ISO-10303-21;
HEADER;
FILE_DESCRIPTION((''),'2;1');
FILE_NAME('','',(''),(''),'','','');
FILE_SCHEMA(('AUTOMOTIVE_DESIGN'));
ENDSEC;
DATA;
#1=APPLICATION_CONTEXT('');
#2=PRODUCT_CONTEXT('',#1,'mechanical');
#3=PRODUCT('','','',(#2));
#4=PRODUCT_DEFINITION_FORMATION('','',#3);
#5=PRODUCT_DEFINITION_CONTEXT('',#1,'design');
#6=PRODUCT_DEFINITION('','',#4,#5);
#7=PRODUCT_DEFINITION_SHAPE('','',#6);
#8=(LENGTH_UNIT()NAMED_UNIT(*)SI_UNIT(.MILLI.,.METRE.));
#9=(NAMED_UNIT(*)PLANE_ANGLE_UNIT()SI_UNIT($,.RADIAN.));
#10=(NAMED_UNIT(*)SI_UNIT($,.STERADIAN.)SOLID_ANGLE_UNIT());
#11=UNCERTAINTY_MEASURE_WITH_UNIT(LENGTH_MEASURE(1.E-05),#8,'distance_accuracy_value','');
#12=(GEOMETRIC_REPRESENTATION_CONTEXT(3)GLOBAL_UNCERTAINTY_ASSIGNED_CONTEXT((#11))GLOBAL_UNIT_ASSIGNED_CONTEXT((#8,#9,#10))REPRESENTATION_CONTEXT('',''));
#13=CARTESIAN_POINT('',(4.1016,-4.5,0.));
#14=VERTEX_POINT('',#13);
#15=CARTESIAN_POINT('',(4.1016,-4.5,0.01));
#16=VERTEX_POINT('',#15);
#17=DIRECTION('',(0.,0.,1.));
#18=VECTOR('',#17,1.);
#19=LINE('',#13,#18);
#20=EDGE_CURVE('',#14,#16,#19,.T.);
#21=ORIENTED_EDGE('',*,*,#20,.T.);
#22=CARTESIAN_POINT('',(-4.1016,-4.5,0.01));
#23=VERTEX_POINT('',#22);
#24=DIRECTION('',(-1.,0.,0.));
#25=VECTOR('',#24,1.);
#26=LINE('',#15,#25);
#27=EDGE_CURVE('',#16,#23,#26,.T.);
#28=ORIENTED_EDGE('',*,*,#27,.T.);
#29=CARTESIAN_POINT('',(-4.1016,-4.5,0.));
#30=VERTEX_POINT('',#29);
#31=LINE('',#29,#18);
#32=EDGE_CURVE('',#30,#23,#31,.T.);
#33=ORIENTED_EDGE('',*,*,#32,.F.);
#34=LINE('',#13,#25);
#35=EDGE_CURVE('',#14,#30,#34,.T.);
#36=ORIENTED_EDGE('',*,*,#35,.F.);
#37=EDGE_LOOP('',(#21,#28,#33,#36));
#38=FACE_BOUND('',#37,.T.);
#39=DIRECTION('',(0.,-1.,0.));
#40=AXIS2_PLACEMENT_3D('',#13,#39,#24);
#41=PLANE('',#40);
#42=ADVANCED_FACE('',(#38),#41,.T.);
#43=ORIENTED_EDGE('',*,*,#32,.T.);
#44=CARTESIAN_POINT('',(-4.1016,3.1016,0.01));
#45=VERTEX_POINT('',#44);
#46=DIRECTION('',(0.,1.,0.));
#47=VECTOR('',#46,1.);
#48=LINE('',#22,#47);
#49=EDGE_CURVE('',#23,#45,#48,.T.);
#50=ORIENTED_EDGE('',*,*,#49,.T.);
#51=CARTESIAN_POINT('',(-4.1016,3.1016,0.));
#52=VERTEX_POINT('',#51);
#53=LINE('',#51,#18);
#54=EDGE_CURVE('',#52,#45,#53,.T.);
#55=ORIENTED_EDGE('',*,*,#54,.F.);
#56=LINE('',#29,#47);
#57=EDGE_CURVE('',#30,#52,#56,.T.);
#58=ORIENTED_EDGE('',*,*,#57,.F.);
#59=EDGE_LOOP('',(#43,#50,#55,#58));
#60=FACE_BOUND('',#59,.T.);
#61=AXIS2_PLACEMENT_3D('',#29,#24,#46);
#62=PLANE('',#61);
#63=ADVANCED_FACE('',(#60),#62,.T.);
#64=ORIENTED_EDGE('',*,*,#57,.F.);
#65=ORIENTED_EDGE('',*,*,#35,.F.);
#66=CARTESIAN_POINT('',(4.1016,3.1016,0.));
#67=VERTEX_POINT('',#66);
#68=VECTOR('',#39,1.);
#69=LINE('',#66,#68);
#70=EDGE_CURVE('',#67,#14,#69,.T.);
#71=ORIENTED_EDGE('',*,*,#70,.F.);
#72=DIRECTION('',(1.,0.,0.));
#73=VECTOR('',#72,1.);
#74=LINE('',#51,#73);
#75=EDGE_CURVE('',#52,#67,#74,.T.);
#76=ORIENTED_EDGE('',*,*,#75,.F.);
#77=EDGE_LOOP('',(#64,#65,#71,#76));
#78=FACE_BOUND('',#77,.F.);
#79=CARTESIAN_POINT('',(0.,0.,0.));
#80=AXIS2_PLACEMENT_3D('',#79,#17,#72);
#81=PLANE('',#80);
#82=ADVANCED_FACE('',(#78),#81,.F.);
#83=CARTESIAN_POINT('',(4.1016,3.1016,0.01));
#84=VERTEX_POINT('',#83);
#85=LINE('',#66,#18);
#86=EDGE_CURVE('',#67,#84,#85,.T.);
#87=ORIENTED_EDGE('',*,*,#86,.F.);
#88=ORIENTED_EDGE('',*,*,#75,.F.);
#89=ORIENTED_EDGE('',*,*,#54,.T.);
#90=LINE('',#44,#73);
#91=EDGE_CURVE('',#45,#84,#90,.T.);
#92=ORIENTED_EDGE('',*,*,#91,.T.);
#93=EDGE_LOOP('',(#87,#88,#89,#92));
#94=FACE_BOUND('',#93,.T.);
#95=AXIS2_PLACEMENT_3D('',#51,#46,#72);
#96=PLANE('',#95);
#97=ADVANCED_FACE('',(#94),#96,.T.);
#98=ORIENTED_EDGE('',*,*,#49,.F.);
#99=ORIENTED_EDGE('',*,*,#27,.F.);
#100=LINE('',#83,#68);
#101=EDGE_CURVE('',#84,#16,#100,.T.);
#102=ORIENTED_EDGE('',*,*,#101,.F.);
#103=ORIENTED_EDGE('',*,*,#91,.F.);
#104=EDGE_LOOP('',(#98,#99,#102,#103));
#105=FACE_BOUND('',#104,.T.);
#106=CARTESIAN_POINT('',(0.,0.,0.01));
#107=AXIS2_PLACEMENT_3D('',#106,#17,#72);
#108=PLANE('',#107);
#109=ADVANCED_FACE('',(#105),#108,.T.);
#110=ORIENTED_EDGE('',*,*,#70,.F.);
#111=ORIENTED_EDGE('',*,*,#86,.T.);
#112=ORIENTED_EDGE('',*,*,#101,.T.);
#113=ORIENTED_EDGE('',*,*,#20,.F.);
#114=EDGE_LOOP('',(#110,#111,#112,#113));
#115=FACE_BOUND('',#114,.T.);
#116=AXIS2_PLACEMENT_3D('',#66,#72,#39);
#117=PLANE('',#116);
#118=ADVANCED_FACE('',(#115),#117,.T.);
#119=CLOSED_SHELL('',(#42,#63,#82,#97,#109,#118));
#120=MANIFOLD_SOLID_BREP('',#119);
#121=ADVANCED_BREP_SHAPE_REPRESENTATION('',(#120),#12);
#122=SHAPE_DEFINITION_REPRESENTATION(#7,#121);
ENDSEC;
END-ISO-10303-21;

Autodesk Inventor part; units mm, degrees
ref_plane "YZ Plane" through (0, 0, 0) normal (1, 0, 0) x (0, 1, 0)
ref_plane "XZ Plane" through (0, 0, 0) normal (0, 1, 0) x (-1, 0, 0)
ref_plane "XY Plane" through (0, 0, 0) normal (0, 0, 1) x (1, 0, 0)
sketch "JSTPH2, JST_3" plane through (0, 0, 0) normal (0, 0, 1) x (1, 0, 0)
  line L0 (-4.1016, 3.1016) -> (4.1016, 3.1016)
  line L1 (4.1016, 3.1016) -> (4.1016, -4.5)
  line L2 (4.1016, -4.5) -> (-4.1016, -4.5)
  line L3 (-4.1016, -4.5) -> (-4.1016, 3.1016)
extrude "Extrusion1" add sketch "JSTPH2, JST_3" along normal blind 0.01
properties part number "JST"
